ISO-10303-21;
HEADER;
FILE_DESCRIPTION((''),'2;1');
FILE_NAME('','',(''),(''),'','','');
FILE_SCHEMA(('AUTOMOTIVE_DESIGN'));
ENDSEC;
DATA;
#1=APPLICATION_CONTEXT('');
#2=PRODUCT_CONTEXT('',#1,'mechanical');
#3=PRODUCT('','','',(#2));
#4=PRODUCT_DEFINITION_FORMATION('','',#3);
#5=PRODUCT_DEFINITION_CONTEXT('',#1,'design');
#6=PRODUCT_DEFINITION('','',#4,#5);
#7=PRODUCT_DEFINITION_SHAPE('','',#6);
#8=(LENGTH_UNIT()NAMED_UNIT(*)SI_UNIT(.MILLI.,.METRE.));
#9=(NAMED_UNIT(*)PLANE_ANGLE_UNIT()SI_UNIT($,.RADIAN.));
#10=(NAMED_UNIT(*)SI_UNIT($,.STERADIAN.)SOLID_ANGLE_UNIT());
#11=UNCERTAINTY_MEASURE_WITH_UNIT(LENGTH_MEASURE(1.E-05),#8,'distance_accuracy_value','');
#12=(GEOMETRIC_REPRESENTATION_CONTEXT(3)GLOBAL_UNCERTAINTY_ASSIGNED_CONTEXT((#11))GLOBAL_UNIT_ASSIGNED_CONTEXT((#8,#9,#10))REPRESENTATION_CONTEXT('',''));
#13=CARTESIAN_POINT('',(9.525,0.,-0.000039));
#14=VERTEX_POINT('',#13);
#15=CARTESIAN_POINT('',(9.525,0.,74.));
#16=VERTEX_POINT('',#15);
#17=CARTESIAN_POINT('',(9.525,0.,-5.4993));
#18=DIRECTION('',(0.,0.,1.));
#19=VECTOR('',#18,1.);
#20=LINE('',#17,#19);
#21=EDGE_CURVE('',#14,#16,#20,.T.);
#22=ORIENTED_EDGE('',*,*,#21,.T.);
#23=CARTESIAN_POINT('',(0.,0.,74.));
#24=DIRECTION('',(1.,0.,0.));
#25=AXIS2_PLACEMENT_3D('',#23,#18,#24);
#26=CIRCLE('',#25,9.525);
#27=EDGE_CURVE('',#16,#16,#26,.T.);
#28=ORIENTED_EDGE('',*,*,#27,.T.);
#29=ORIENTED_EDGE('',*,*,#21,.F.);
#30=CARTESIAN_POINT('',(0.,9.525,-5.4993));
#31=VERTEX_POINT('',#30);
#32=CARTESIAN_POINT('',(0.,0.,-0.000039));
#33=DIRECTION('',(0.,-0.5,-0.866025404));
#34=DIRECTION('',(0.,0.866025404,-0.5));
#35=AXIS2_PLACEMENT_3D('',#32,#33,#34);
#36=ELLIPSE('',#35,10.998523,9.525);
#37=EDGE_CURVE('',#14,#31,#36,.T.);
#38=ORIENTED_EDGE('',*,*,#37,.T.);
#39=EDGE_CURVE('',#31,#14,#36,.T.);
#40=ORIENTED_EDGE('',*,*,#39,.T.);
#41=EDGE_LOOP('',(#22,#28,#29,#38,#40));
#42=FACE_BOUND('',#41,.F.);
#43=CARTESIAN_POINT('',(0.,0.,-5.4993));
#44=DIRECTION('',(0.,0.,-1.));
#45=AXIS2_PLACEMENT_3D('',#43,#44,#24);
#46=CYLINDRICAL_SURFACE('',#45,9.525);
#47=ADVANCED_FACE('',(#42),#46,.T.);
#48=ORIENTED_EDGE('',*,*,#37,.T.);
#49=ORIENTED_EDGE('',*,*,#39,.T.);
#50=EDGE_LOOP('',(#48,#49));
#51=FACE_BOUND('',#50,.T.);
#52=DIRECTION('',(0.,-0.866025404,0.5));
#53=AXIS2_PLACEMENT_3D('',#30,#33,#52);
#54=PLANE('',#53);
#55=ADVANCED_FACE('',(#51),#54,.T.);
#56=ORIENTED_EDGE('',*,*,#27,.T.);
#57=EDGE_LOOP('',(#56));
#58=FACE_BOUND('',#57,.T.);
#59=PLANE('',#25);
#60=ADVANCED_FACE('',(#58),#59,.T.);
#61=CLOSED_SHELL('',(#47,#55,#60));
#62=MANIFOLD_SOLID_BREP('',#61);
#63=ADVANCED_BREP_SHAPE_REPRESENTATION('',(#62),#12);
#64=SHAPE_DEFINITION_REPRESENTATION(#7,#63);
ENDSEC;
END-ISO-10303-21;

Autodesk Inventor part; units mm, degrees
ref_plane "Start Plane" through (0, 0, -5.4993) normal (0, 0, 1) x (1, 0, 0)
ref_plane "End Plane" through (0, 0, 74) normal (0, 0, 1) x (1, 0, 0)
sketch "Sketch" plane through (0, 0, 0) normal (0, 0, 1) x (1, 0, 0)
  circle A0 centre (0, 0) radius 9.525
  dimension "d0" = 19.05
extrude "Body" add sketch "Sketch" along normal up to surface (79.4993 mm away) from surface at -5.4993
sketch "Sketch2" plane through (0, 0, 0) normal (0, 0, 1) x (1, 0, 0)
  line L0 (0, 0) -> (10, 0)
ref_plane "Work Plane3" through (0, 0, 0) normal (0, -1, 0) x (1, 0, 0)
ref_plane "Work Plane4" through (0, 9.525, -5.4993) normal (0, -0.5, -0.866) x (1, 0, 0)
split "Split1" plane through (0, 9.525, -5.4993) removes the side toward (0, -0.5, -0.866)
sketch "Sketch3" plane through (0, 0, 0) normal (0, -1, 0) x (1, 0, 0)
  line L0 (-2, -5.4993) -> (12, -5.4993) projected
  line L1 (-2, 74) -> (12, 74) projected
  dimension "d7" = 79.4993
equation "\"d0\" = Diam"
equation "\"d1\" = G_L"
equation "\"Diam\" = 19.05"
equation "\"G_L\" = d7"
equation "\"G_OFFSET_START\" = 5.49926"
equation "\"G_OFFSET_END\" = 0"
equation "\"d4\" = -G_OFFSET_START"
equation "\"d5\" = G_OFFSET_END + B_L"
equation "\"B_L\" = 74"
properties part number "ANSI/AISC Rolled Steel - 3/4-3.13, RB" material "Steel, Mild"
